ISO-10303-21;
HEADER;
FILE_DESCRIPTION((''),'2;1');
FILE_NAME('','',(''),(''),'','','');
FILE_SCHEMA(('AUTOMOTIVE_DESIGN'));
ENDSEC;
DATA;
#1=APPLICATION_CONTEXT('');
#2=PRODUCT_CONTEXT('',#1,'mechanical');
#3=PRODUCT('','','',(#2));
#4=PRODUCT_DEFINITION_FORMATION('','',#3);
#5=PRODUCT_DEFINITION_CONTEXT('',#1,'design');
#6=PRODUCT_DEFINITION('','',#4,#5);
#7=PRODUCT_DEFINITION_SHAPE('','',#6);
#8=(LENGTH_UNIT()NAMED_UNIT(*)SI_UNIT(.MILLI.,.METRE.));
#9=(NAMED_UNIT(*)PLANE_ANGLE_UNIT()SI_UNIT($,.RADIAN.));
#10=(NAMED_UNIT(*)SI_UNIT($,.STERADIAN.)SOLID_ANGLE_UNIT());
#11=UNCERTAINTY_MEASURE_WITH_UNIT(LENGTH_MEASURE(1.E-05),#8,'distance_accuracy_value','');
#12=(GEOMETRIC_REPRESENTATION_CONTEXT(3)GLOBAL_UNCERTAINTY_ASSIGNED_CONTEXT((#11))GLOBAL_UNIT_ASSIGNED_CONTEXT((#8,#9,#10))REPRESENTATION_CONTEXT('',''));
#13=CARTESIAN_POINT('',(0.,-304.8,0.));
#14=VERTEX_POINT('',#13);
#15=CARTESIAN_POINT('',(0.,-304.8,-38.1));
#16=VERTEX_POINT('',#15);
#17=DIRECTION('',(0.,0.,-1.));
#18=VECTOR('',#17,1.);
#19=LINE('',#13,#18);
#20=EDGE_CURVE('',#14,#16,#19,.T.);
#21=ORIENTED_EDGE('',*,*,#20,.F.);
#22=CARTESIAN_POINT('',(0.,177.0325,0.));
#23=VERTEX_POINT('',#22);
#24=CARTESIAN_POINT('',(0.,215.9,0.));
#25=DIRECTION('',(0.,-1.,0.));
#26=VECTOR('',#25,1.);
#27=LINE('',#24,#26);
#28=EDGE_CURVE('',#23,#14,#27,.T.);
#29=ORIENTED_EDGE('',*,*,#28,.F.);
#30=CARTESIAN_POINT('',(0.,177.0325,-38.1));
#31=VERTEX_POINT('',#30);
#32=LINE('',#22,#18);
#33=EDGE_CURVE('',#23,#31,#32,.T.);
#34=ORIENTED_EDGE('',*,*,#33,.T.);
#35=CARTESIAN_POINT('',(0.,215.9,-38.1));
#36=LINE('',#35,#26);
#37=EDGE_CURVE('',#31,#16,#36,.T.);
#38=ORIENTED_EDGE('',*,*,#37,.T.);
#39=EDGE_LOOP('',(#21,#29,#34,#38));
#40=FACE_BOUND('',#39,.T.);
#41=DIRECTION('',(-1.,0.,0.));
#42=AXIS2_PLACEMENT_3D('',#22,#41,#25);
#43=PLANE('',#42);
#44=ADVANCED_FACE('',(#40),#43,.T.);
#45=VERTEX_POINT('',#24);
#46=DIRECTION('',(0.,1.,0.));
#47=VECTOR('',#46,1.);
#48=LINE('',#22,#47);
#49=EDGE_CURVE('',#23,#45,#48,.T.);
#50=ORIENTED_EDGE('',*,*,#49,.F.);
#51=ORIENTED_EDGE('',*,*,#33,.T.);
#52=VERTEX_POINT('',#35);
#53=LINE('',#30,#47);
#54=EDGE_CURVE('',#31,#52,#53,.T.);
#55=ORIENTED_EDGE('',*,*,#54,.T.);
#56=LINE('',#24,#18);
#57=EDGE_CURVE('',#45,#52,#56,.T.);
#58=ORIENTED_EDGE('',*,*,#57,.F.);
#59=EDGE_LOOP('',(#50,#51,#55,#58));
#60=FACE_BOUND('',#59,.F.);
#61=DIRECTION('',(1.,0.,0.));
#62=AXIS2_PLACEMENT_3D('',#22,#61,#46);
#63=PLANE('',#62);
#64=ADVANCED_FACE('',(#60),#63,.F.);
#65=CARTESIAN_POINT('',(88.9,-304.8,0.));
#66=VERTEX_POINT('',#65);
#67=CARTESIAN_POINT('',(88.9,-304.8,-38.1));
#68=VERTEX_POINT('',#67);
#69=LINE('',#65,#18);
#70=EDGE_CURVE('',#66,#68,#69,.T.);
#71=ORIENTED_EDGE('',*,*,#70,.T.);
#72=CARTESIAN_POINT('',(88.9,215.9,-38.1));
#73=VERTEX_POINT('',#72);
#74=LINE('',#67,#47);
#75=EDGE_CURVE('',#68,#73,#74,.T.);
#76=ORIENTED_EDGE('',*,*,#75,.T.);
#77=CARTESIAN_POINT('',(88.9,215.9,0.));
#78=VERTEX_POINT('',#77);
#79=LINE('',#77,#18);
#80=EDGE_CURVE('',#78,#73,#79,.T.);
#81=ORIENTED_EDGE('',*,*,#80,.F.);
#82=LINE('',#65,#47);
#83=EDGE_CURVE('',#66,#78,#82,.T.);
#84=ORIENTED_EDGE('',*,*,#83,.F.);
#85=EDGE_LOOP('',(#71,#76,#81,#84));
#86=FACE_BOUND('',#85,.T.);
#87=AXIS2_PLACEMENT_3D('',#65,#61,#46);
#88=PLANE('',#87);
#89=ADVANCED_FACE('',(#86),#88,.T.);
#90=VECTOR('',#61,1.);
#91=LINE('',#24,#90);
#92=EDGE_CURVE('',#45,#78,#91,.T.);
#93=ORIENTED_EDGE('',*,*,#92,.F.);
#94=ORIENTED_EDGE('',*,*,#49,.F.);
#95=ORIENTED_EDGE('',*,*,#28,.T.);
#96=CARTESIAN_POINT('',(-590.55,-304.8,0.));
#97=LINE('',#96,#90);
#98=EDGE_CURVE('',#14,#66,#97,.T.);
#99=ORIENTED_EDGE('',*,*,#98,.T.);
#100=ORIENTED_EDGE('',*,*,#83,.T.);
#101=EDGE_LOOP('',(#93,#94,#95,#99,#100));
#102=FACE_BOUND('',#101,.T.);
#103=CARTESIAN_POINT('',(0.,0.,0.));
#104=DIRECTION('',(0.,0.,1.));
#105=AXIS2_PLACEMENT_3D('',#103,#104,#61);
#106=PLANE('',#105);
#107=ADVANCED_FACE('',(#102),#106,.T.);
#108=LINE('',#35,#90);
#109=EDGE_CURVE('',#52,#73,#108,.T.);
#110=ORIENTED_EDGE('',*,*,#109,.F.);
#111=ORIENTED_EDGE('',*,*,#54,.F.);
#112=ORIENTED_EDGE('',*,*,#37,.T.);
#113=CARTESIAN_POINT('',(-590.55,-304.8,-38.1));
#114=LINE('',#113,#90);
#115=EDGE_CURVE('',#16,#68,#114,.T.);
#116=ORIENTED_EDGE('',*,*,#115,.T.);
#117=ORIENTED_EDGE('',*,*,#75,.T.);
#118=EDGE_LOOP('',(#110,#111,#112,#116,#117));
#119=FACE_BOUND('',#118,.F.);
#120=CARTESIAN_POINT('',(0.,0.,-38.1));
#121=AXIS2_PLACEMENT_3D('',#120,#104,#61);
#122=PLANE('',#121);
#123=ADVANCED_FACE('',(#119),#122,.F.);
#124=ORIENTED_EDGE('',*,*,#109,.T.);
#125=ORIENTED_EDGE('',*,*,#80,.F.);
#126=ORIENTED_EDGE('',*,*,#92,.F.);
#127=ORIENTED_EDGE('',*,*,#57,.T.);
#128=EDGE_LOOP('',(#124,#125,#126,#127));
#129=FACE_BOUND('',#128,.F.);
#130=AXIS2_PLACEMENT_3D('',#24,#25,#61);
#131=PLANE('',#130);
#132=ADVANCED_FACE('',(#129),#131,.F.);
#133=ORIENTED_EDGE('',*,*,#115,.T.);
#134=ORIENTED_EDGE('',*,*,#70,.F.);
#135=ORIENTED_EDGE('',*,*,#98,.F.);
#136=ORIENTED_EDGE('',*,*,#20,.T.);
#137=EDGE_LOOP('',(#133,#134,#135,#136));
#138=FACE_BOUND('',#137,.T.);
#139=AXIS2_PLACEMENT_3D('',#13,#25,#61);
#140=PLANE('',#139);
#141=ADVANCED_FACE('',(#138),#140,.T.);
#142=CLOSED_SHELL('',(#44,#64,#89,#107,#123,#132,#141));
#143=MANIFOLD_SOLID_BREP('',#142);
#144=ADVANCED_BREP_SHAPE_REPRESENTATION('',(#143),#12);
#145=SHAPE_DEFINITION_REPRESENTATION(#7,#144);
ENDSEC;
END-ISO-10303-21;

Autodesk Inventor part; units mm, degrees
ref_plane "YZ Plane" through (0, 0, 0) normal (1, 0, 0) x (0, 1, 0)
ref_plane "XZ Plane" through (0, 0, 0) normal (0, 1, 0) x (-1, 0, 0)
ref_plane "XY Plane" through (0, 0, 0) normal (0, 0, 1) x (1, 0, 0)
sketch "Sketch1" plane through (0, 0, 0) normal (0, 0, 1) x (1, 0, 0)
  line L0 (0, 215.9) -> (590.55, 215.9) projected
  line L1 (0, 177.0325) -> (0, 215.9) projected
  line L2 (-590.55, -304.8) -> (628.65, -304.8) projected
  line L3 (0, 215.9) -> (0, -304.8)
  line L4 (88.9, -304.8) -> (88.9, 215.9)
  point P0 (0, 0)
  dimension "d0" = 88.9
extrude "Extrusion1" add sketch "Sketch1" against normal blind 38.1
properties part number "side-side2"
